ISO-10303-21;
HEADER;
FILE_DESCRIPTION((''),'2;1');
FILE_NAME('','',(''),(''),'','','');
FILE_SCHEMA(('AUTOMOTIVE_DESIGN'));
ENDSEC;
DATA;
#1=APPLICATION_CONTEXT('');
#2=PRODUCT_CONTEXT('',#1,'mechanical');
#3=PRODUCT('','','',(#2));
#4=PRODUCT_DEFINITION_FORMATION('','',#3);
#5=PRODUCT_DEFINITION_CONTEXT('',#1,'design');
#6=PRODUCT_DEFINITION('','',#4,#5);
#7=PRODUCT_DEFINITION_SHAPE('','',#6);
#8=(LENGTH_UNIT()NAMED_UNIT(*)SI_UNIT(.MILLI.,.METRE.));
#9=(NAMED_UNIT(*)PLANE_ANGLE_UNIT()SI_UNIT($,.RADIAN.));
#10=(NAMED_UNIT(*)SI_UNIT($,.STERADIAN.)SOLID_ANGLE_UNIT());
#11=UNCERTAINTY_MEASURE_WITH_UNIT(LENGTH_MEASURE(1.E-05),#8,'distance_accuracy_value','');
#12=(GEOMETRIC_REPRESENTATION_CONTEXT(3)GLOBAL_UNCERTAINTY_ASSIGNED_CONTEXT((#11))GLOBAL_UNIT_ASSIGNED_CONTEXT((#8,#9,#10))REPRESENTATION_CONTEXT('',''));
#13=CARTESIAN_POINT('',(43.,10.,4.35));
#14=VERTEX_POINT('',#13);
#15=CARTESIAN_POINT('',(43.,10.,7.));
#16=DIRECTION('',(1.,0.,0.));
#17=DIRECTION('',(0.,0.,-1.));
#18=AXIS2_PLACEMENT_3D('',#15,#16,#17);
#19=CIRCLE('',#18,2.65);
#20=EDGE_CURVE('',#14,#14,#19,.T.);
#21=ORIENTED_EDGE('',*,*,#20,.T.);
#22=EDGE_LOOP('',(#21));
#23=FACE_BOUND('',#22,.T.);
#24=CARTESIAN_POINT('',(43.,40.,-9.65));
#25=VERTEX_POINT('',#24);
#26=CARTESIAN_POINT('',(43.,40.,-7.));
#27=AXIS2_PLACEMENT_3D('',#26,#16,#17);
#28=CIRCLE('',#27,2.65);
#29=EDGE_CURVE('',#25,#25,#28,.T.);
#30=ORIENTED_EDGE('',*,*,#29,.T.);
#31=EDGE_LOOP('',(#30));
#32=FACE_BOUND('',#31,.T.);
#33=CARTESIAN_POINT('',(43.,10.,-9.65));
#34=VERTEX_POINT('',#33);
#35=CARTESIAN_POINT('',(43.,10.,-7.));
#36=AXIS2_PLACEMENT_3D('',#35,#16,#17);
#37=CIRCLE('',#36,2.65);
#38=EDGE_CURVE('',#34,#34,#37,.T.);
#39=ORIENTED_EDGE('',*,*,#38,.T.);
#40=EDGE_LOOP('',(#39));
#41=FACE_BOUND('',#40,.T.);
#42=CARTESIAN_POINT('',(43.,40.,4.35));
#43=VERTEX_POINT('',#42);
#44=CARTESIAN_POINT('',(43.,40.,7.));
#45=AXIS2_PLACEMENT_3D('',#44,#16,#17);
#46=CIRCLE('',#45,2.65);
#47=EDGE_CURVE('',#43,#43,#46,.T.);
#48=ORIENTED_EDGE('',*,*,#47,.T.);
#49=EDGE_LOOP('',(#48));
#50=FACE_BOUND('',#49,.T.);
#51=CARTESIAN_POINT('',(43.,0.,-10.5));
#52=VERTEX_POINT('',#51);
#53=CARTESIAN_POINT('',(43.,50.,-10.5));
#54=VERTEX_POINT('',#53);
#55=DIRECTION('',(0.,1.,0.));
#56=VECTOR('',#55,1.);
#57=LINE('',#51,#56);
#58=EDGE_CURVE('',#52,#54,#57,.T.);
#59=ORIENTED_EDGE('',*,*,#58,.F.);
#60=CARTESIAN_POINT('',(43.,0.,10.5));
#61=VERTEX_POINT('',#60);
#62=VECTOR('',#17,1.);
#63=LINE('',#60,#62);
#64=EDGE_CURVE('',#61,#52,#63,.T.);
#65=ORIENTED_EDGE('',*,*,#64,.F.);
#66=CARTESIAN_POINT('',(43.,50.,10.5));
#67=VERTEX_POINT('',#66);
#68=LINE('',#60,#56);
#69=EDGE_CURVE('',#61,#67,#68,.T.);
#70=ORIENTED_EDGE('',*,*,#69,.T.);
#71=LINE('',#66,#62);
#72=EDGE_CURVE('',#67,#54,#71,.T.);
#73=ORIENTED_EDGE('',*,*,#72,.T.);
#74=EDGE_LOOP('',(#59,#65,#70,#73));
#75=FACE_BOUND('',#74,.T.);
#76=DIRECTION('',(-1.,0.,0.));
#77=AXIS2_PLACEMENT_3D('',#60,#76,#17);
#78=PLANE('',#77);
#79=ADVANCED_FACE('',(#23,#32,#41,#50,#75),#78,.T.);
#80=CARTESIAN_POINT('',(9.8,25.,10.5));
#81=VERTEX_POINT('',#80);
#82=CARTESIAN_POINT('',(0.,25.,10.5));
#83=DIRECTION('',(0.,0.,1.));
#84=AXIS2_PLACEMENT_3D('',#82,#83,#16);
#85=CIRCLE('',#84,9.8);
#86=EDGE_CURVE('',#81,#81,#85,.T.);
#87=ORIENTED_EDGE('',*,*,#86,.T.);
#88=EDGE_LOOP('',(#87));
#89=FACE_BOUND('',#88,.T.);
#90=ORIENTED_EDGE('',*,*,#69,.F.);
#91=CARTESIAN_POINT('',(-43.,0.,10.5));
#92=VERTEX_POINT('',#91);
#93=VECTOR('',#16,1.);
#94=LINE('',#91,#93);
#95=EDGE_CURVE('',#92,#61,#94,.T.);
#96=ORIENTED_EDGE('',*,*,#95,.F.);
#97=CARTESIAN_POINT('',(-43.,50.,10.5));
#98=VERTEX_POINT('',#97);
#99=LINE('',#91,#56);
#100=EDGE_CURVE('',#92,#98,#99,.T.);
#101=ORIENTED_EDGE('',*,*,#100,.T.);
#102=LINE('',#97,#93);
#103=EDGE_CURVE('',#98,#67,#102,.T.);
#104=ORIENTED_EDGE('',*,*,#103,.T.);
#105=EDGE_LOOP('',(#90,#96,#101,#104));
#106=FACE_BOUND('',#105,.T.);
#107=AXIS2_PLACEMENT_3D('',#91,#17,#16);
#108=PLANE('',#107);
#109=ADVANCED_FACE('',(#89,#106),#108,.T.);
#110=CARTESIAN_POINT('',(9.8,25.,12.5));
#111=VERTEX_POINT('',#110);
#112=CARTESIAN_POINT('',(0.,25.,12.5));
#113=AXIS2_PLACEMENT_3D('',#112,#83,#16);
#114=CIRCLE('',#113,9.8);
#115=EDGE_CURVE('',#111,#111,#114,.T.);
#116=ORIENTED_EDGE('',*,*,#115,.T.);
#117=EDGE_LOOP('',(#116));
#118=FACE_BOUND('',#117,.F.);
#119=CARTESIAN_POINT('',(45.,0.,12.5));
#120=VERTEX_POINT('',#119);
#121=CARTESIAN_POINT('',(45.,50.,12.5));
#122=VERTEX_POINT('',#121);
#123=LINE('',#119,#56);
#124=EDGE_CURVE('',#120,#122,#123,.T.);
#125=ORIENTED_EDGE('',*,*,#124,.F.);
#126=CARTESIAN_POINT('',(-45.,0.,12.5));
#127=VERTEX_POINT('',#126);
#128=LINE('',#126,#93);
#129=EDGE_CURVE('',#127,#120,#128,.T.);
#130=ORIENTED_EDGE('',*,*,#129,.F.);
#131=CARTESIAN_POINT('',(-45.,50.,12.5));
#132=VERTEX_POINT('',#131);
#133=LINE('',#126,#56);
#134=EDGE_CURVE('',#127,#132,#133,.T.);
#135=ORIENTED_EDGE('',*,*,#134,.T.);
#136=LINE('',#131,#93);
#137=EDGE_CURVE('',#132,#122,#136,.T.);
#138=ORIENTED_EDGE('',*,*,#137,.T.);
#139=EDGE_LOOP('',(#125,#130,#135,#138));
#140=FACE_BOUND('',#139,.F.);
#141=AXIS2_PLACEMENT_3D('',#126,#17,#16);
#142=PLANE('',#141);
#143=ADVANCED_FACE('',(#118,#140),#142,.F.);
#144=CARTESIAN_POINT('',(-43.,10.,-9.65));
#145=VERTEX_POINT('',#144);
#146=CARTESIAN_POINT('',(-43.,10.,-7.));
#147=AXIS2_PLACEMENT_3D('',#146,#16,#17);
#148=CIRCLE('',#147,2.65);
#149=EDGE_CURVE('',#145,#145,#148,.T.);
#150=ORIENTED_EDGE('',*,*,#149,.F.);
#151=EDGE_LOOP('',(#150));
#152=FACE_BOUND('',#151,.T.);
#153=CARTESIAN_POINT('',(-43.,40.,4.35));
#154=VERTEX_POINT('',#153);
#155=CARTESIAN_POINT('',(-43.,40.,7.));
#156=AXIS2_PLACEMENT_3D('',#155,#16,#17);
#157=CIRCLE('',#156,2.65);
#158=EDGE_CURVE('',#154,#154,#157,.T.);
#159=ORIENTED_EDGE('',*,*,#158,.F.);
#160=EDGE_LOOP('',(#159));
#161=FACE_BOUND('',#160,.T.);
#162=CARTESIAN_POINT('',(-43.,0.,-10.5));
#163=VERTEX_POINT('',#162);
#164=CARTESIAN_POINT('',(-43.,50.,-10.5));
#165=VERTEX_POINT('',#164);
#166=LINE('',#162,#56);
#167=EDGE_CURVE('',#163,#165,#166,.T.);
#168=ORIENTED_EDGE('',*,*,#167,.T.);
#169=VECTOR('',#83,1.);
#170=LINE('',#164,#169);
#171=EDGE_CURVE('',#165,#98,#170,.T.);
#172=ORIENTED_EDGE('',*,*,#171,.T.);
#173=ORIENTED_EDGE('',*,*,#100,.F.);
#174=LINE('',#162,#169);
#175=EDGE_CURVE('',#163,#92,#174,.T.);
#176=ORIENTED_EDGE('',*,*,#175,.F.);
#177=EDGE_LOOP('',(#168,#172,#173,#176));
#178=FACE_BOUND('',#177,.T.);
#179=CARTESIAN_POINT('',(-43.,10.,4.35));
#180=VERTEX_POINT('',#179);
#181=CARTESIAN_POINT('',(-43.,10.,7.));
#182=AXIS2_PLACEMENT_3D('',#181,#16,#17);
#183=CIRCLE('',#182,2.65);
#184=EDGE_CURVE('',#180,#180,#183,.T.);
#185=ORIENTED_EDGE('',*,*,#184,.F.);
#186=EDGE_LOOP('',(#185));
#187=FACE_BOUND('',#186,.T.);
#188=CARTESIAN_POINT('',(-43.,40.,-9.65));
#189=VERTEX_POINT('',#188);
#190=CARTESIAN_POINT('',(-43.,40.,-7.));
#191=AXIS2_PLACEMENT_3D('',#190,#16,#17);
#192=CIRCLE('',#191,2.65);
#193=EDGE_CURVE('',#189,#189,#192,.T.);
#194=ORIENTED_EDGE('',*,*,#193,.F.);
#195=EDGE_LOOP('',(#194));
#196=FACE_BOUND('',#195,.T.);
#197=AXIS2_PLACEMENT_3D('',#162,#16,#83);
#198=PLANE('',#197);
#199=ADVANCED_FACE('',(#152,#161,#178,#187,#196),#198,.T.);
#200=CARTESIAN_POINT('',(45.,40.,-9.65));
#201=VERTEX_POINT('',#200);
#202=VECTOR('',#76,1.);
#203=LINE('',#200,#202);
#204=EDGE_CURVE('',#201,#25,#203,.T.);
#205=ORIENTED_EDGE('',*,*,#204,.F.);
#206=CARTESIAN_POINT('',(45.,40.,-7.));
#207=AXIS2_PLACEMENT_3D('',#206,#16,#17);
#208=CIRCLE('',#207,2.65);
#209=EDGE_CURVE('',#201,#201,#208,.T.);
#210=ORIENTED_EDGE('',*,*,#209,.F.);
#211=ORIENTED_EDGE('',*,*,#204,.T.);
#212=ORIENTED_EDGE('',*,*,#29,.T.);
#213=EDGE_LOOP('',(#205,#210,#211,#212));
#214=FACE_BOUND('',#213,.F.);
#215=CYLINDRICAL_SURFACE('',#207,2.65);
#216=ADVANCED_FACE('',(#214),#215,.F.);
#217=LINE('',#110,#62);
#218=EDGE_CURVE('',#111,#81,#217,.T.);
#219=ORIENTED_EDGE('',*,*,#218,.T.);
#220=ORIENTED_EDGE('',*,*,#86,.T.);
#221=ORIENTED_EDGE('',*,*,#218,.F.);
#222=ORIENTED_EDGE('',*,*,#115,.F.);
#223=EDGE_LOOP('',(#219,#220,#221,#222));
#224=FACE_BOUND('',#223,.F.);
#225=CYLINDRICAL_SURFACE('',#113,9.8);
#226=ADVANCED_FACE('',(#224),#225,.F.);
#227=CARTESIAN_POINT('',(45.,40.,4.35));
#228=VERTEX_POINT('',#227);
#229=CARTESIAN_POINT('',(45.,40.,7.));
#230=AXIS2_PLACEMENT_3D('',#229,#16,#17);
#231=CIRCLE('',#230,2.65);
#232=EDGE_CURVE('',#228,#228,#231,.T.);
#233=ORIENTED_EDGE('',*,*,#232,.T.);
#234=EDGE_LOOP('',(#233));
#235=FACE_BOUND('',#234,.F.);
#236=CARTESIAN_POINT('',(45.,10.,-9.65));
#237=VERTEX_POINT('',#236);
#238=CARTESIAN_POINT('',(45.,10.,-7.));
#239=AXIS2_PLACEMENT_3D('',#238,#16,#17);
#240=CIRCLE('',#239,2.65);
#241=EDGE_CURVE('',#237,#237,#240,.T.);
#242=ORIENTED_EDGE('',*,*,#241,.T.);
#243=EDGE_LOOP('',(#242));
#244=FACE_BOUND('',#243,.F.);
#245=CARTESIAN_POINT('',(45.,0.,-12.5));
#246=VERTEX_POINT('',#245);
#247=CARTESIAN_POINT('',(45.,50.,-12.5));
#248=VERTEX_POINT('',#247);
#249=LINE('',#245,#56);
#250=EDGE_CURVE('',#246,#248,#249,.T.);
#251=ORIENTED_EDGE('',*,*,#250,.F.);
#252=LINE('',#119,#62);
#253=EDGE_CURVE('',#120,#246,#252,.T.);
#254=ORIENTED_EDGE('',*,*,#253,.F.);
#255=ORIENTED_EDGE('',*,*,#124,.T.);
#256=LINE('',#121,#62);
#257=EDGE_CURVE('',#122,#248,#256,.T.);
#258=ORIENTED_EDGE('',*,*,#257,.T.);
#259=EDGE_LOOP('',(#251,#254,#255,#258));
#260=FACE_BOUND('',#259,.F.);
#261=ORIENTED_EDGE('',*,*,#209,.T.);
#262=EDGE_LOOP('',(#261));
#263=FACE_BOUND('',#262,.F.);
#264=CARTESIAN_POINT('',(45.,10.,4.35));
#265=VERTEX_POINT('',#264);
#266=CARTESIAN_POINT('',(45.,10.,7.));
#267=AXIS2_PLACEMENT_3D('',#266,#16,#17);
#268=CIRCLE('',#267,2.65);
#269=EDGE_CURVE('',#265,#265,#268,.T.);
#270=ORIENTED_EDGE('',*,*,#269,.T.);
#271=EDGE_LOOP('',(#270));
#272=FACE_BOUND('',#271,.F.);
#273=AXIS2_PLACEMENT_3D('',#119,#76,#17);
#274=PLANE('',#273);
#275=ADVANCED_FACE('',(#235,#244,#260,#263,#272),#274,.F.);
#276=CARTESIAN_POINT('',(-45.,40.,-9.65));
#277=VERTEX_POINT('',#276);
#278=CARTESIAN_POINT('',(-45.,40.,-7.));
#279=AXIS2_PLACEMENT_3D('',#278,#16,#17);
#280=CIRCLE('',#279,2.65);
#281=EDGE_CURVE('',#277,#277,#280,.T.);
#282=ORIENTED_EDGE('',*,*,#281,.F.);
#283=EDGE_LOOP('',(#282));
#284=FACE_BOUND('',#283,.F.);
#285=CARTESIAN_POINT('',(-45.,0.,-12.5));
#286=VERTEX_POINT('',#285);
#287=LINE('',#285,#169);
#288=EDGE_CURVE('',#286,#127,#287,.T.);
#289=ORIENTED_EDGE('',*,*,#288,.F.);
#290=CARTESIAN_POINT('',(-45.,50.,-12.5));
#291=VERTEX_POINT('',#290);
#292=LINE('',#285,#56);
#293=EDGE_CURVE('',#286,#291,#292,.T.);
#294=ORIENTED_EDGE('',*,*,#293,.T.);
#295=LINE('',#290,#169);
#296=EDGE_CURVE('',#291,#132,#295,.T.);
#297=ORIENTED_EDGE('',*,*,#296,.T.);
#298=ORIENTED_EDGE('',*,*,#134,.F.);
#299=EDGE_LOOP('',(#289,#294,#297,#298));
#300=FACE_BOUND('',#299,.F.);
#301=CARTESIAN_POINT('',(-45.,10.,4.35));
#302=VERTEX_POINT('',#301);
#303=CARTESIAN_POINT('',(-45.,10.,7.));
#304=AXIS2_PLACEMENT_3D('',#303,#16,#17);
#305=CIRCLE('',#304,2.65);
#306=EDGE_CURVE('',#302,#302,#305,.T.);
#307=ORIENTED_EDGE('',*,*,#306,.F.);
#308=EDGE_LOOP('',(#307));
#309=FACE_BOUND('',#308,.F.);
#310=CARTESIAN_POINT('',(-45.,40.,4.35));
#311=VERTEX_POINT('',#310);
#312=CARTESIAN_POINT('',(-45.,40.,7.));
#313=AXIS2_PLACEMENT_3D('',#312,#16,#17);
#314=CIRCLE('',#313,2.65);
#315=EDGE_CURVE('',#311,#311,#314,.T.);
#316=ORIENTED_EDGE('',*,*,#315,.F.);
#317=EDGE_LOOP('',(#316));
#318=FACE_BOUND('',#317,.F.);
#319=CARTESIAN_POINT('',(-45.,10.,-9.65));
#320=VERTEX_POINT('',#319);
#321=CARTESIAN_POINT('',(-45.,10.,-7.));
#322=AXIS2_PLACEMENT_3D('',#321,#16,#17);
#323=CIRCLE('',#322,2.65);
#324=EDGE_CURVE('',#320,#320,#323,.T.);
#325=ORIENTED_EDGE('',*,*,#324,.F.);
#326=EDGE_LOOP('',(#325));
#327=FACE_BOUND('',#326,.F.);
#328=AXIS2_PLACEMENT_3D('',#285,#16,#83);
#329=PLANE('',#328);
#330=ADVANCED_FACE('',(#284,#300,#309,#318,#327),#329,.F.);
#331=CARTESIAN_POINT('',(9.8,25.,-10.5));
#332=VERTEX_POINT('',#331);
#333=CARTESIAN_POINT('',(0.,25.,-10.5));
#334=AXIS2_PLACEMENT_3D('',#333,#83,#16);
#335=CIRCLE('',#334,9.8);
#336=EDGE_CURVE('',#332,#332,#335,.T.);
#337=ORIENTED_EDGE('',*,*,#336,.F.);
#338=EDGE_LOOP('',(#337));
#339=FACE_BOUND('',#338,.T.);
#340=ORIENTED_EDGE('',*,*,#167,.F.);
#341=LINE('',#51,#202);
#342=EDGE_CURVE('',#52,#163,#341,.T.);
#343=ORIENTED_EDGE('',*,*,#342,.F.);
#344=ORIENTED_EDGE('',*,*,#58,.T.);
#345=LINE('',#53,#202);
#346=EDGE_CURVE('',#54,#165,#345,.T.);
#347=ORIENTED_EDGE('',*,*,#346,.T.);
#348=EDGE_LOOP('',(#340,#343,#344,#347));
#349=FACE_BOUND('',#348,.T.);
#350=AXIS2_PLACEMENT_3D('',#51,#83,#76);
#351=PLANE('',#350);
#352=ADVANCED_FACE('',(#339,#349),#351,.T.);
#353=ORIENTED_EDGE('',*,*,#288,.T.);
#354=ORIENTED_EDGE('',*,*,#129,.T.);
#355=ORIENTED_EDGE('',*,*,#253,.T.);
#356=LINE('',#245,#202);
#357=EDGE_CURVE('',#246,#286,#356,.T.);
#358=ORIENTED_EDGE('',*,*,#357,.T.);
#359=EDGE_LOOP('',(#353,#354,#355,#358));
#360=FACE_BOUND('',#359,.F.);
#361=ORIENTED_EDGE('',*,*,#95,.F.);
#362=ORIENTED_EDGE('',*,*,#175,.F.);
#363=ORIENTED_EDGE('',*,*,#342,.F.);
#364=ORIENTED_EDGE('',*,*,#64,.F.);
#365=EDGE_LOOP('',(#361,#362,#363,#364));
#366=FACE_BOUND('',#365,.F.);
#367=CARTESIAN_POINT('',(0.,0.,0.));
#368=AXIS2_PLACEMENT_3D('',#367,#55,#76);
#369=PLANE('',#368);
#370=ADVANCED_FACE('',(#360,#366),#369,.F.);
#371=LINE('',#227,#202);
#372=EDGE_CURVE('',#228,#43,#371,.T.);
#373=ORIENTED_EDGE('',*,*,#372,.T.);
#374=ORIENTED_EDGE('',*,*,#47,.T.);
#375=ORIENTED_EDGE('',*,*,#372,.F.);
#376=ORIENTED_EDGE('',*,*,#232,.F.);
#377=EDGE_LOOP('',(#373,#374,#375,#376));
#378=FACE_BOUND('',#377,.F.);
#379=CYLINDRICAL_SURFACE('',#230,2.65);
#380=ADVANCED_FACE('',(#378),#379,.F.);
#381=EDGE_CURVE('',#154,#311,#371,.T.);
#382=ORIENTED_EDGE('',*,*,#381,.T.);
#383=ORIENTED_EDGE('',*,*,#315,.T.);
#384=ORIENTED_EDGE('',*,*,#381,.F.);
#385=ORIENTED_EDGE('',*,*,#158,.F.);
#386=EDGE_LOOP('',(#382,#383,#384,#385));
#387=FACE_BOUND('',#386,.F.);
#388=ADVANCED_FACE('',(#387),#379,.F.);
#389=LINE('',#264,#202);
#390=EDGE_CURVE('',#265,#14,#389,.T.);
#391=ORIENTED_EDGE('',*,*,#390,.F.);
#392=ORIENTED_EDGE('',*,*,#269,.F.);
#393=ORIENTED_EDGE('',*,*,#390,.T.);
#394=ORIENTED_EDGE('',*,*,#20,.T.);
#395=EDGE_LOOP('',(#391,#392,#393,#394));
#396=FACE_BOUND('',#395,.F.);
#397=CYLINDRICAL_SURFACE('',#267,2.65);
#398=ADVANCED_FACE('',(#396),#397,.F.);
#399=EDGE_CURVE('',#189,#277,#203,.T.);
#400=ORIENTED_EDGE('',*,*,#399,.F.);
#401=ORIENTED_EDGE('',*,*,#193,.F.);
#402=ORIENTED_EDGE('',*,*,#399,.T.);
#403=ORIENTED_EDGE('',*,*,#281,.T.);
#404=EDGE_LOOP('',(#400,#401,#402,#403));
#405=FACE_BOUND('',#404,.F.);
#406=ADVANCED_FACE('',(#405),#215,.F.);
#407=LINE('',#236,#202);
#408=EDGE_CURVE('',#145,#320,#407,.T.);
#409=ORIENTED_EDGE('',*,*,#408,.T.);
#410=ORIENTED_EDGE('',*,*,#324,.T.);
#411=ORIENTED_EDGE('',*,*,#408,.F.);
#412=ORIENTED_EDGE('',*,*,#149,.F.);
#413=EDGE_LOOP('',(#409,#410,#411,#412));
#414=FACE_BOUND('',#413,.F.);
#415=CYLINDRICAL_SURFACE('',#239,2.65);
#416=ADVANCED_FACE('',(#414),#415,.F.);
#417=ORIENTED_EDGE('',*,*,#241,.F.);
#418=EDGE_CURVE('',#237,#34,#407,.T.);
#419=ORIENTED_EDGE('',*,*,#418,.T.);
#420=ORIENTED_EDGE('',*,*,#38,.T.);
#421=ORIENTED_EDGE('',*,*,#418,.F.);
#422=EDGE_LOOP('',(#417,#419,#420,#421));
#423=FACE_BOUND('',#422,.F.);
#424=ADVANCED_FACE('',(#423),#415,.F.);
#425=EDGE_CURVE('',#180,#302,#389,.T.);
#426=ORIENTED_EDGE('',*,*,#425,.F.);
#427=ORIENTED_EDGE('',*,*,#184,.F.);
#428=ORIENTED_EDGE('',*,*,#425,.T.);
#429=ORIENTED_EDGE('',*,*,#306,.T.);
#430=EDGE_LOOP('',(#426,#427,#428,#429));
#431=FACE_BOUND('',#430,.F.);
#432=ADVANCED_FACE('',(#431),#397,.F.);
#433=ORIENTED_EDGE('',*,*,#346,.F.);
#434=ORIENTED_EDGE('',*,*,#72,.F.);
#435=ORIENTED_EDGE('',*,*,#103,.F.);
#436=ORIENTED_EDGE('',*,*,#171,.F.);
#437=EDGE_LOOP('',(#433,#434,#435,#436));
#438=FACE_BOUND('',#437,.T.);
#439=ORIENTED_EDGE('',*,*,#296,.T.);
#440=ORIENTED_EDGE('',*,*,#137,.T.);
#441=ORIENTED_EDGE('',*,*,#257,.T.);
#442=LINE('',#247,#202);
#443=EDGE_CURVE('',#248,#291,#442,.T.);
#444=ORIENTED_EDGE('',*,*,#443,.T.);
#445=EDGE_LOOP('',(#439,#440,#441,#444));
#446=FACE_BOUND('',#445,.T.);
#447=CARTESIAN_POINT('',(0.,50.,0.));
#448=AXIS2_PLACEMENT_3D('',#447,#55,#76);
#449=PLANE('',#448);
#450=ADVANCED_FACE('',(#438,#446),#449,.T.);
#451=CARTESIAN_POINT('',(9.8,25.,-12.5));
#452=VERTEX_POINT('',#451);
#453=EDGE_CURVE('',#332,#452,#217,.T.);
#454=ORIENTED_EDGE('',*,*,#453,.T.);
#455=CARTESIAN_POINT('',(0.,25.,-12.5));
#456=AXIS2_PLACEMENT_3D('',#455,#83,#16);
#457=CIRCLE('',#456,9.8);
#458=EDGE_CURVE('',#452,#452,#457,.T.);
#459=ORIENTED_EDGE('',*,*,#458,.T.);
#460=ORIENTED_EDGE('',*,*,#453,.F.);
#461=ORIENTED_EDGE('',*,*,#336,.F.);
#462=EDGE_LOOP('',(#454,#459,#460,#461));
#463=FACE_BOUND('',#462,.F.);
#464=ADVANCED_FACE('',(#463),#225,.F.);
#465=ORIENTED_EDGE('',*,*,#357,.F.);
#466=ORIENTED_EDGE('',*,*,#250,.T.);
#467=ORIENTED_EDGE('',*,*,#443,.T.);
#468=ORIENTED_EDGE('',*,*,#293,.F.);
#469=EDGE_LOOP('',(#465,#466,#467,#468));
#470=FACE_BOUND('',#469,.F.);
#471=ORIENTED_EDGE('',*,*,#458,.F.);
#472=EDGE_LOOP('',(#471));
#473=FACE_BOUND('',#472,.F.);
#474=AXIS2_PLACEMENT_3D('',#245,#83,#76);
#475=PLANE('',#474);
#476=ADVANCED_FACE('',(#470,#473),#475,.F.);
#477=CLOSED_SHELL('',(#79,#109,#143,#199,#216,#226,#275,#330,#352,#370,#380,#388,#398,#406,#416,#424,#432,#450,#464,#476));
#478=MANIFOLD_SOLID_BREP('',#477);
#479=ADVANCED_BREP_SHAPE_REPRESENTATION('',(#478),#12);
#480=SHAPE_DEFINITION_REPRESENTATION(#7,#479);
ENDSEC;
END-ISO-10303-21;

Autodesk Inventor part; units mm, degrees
ref_plane "YZ Plane" through (0, 0, 0) normal (1, 0, 0) x (0, 1, 0)
ref_plane "XZ Plane" through (0, 0, 0) normal (0, 1, 0) x (-1, 0, 0)
ref_plane "XY Plane" through (0, 0, 0) normal (0, 0, 1) x (1, 0, 0)
sketch "Sketch1" plane through (0, 0, 0) normal (0, 1, 0) x (-1, 0, 0)
  line L0 (45, 12.5) -> (-45, 12.5)
  line L1 (-45, 12.5) -> (-45, -12.5)
  line L2 (-45, -12.5) -> (45, -12.5)
  line L3 (45, -12.5) -> (45, 12.5)
  line L4 (45, 12.5) -> (-45, -12.5) construction
  line L5 (-45, 12.5) -> (45, -12.5) construction
  line L6 (43, 10.5) -> (-43, 10.5)
  line L7 (-43, 10.5) -> (-43, -10.5)
  line L8 (-43, -10.5) -> (43, -10.5)
  line L9 (43, -10.5) -> (43, 10.5)
  line L10 (43, 10.5) -> (-43, -10.5) construction
  line L11 (-43, 10.5) -> (43, -10.5) construction
  point P0 (0, 0)
  dimension "d0" = 90
  dimension "d1" = 25
  dimension "d2" = 86
  dimension "d3" = 21
extrude "Extrusion1" add sketch "Sketch1" along normal blind 50
sketch "Sketch2" plane through (-45, 0, 12.5) normal (0, 0, 1) x (1, 0, 0)
  circle A0 centre (45, 25) radius 9.8
  line L0 (90, 0) -> (90, 50) projected
  line L1 (0, 50) -> (90, 50) projected
  point P0 (45, 0)
  dimension "d6" = 19.6
  dimension "d7" = 45
  dimension "d8" = 25
extrude "Extrusion2" cut sketch "Sketch2" against normal blind 29.05
sketch "Sketch3" plane through (45, 0, 12.5) normal (1, 0, 0) x (0, 0, -1)
  circle A0 centre (19.5, 10) radius 2.65
  circle A1 centre (5.5, 10) radius 2.65
  circle A2 centre (19.5, 40) radius 2.65
  circle A3 centre (5.5, 40) radius 2.65
  line L0 (0, 50) -> (25, 50) projected
  line L1 (25, 0) -> (25, 50) projected
  line L2 (0, 0) -> (0, 50) projected
  line L3 (0, 0) -> (25, 0) projected
  point P0 (12.5, 0)
  dimension "d11" = 5.3
  dimension "d12" = 5.3
  dimension "d13" = 5.3
  dimension "d14" = 5.3
  dimension "d15" = 10
  dimension "d16" = 10
  dimension "d17" = 5.5
  dimension "d18" = 5.5
  dimension "d19" = 10
  dimension "d20" = 5.5
  dimension "d21" = 5.5
  dimension "d22" = 10
extrude "Extrusion3" cut sketch "Sketch3" against normal blind 143.35 contours A0 | A1 | A2 | A3
properties part number "Bevel holder"
